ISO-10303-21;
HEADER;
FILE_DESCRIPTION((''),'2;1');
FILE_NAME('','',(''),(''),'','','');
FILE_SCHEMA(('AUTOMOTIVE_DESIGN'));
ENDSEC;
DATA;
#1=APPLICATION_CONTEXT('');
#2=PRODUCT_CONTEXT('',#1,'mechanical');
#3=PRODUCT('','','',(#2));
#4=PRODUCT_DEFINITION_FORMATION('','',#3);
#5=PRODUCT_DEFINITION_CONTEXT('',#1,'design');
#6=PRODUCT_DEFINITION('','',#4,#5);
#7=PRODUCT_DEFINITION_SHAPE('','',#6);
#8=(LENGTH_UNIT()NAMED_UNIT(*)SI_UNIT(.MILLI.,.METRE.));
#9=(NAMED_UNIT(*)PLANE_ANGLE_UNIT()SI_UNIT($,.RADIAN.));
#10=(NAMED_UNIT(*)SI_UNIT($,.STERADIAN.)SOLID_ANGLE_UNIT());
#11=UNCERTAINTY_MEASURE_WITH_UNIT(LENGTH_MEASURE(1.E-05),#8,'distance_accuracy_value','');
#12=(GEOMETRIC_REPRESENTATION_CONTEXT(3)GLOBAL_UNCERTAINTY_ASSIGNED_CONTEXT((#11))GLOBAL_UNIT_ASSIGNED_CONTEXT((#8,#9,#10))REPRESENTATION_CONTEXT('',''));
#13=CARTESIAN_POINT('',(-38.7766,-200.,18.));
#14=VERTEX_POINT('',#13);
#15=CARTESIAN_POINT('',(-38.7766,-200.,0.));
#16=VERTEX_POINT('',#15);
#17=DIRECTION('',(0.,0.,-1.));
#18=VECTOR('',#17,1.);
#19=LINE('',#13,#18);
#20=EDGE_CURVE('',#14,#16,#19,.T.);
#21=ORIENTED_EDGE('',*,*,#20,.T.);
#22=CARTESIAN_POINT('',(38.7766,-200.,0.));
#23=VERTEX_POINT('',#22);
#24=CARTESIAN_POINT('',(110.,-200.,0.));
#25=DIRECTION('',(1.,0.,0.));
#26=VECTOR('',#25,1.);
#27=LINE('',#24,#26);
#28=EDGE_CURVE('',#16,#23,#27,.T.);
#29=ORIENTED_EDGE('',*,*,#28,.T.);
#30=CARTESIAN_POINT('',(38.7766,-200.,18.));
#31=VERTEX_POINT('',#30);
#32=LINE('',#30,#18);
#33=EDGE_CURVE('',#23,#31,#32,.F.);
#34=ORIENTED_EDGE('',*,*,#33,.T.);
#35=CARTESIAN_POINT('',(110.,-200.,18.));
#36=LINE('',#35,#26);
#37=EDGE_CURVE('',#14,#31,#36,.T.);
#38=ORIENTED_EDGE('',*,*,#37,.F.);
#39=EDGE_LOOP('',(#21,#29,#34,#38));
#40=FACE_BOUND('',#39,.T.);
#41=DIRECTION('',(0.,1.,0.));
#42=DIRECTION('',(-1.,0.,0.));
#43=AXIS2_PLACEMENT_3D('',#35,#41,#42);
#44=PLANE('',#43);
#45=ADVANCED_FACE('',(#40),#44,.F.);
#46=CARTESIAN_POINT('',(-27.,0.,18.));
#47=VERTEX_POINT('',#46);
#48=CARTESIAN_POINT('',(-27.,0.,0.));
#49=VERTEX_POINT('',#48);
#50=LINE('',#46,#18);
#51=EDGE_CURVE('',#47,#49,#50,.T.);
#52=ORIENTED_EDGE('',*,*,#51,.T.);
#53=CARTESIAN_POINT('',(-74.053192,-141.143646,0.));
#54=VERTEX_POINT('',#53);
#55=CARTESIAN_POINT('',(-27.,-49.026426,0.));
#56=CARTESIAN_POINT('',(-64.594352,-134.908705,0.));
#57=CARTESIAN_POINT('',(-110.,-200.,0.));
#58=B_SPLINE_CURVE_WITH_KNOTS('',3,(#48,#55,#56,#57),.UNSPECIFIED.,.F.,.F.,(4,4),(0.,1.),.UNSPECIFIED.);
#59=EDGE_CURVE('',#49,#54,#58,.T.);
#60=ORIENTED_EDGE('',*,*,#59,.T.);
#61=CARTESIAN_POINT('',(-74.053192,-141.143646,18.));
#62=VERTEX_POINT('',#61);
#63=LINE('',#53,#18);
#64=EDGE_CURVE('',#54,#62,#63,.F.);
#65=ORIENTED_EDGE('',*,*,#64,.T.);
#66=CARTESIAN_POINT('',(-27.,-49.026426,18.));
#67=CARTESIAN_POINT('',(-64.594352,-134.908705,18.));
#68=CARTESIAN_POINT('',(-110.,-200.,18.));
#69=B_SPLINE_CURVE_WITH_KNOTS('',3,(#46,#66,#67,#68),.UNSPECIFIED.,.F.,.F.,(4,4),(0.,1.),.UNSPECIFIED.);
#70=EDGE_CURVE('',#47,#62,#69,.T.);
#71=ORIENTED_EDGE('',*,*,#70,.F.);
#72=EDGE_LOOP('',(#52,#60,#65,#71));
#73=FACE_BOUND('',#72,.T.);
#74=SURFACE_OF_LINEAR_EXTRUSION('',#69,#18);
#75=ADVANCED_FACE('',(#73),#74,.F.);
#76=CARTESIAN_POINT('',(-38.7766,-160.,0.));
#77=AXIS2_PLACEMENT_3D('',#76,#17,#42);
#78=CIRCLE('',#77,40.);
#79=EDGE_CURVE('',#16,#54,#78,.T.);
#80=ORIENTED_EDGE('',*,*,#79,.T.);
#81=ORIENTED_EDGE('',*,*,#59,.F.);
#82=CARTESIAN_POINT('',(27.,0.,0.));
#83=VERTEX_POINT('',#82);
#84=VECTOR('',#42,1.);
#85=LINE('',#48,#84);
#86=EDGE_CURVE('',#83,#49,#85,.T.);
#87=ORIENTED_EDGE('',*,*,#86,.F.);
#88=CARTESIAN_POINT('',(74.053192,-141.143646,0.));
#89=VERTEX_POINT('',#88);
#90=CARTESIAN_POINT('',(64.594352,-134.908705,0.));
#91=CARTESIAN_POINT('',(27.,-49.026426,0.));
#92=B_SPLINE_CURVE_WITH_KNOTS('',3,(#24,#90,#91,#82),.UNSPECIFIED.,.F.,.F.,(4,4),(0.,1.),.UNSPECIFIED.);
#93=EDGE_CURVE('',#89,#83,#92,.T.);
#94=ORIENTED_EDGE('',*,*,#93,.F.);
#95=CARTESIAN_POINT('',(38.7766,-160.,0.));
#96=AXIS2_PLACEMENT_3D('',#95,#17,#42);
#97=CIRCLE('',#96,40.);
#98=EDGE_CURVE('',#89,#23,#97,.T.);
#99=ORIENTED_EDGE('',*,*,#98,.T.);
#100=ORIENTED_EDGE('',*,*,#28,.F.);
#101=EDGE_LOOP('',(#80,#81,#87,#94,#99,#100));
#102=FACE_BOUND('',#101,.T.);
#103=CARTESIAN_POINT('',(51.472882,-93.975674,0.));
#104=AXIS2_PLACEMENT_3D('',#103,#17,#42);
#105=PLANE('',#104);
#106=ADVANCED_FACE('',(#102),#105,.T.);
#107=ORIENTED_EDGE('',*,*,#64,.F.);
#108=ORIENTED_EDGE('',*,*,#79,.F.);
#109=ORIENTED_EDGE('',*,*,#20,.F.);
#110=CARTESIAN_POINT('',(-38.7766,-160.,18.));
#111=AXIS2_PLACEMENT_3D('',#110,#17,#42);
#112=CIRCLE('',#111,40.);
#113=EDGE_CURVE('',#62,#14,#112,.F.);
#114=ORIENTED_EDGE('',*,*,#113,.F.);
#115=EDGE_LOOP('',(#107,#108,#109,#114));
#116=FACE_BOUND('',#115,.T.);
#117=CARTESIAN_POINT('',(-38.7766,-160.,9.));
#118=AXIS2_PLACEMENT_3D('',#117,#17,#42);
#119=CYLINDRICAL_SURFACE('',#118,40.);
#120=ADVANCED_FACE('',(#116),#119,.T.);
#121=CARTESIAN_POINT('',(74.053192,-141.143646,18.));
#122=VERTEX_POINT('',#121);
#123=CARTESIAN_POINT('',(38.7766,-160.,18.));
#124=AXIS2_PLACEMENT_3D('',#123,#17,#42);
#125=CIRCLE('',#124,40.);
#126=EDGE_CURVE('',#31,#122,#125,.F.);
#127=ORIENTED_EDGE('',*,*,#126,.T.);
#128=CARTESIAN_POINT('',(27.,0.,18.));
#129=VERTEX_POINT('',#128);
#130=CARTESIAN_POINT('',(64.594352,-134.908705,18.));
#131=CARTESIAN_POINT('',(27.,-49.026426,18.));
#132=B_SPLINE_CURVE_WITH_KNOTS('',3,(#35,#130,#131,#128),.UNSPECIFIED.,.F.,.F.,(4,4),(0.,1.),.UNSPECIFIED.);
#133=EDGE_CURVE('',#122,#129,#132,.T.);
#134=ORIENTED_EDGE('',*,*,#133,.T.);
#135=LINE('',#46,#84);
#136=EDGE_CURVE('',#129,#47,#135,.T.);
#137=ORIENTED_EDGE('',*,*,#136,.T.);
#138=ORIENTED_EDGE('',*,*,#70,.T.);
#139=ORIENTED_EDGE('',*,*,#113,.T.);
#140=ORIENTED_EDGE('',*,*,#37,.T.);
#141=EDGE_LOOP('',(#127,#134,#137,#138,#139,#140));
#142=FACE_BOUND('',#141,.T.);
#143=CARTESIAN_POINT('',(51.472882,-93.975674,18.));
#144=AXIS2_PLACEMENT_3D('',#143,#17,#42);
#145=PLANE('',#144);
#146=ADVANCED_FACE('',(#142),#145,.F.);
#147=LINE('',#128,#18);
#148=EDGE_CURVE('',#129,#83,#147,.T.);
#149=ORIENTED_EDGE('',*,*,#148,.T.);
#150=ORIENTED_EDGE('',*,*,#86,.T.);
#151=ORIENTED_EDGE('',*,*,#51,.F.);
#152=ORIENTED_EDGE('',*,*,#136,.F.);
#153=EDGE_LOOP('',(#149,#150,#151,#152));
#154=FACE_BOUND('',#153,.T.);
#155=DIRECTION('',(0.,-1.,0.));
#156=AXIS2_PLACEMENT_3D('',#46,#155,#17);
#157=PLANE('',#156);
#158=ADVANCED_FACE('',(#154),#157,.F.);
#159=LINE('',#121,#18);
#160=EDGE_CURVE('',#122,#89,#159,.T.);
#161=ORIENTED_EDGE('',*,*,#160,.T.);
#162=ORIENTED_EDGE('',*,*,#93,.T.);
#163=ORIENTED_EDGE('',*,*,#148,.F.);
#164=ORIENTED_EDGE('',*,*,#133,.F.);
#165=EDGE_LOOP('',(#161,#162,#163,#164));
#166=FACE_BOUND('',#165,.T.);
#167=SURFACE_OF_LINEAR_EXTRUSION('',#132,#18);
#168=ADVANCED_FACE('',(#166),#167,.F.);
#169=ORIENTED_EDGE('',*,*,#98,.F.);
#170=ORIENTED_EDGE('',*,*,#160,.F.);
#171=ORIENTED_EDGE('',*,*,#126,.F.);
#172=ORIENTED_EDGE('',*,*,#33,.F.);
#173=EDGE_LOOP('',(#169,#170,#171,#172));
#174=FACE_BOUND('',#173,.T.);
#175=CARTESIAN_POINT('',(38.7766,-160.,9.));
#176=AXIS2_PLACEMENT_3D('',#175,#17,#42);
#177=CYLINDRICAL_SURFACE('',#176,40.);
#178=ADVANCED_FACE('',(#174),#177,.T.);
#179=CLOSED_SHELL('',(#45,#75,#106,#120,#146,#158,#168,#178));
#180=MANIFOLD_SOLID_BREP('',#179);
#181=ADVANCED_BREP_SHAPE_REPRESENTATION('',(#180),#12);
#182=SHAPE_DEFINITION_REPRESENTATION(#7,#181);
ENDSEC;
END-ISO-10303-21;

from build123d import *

# Parameters (mm, degrees)
BOSS_EXTRUDE1_DEPTH = 18
FILLET1_R           = 40


with BuildPart() as part:
    # Sketch1 → Boss-Extrude1 (new body)
    with BuildSketch(Plane.XY):
        with BuildLine():
            Line((-27, 0), (27, 0))
            add(Edge.make_bspline(
                [(27, 0), (27, -49.026425591), (64.594351551, -134.908704781), (110, -200)],
                knots=[0, 0, 0, 0, 1, 1, 1, 1], degree=3))
            Line((110, -200), (-110, -200))
            add(Edge.make_bspline(
                [(-27, 0), (-27, -49.026425591), (-64.594351551, -134.908704781), (-110, -200)],
                knots=[0, 0, 0, 0, 1, 1, 1, 1], degree=3))
        make_face()
    extrude(amount=BOSS_EXTRUDE1_DEPTH)

    # Fillet1
    fillet1_edges = [part.edges().sort_by_distance(p)[0] for p in [
        (-110, -200, 9),
        (110, -200, 9),
    ]]
    fillet(fillet1_edges, radius=FILLET1_R)


solid = part.part
